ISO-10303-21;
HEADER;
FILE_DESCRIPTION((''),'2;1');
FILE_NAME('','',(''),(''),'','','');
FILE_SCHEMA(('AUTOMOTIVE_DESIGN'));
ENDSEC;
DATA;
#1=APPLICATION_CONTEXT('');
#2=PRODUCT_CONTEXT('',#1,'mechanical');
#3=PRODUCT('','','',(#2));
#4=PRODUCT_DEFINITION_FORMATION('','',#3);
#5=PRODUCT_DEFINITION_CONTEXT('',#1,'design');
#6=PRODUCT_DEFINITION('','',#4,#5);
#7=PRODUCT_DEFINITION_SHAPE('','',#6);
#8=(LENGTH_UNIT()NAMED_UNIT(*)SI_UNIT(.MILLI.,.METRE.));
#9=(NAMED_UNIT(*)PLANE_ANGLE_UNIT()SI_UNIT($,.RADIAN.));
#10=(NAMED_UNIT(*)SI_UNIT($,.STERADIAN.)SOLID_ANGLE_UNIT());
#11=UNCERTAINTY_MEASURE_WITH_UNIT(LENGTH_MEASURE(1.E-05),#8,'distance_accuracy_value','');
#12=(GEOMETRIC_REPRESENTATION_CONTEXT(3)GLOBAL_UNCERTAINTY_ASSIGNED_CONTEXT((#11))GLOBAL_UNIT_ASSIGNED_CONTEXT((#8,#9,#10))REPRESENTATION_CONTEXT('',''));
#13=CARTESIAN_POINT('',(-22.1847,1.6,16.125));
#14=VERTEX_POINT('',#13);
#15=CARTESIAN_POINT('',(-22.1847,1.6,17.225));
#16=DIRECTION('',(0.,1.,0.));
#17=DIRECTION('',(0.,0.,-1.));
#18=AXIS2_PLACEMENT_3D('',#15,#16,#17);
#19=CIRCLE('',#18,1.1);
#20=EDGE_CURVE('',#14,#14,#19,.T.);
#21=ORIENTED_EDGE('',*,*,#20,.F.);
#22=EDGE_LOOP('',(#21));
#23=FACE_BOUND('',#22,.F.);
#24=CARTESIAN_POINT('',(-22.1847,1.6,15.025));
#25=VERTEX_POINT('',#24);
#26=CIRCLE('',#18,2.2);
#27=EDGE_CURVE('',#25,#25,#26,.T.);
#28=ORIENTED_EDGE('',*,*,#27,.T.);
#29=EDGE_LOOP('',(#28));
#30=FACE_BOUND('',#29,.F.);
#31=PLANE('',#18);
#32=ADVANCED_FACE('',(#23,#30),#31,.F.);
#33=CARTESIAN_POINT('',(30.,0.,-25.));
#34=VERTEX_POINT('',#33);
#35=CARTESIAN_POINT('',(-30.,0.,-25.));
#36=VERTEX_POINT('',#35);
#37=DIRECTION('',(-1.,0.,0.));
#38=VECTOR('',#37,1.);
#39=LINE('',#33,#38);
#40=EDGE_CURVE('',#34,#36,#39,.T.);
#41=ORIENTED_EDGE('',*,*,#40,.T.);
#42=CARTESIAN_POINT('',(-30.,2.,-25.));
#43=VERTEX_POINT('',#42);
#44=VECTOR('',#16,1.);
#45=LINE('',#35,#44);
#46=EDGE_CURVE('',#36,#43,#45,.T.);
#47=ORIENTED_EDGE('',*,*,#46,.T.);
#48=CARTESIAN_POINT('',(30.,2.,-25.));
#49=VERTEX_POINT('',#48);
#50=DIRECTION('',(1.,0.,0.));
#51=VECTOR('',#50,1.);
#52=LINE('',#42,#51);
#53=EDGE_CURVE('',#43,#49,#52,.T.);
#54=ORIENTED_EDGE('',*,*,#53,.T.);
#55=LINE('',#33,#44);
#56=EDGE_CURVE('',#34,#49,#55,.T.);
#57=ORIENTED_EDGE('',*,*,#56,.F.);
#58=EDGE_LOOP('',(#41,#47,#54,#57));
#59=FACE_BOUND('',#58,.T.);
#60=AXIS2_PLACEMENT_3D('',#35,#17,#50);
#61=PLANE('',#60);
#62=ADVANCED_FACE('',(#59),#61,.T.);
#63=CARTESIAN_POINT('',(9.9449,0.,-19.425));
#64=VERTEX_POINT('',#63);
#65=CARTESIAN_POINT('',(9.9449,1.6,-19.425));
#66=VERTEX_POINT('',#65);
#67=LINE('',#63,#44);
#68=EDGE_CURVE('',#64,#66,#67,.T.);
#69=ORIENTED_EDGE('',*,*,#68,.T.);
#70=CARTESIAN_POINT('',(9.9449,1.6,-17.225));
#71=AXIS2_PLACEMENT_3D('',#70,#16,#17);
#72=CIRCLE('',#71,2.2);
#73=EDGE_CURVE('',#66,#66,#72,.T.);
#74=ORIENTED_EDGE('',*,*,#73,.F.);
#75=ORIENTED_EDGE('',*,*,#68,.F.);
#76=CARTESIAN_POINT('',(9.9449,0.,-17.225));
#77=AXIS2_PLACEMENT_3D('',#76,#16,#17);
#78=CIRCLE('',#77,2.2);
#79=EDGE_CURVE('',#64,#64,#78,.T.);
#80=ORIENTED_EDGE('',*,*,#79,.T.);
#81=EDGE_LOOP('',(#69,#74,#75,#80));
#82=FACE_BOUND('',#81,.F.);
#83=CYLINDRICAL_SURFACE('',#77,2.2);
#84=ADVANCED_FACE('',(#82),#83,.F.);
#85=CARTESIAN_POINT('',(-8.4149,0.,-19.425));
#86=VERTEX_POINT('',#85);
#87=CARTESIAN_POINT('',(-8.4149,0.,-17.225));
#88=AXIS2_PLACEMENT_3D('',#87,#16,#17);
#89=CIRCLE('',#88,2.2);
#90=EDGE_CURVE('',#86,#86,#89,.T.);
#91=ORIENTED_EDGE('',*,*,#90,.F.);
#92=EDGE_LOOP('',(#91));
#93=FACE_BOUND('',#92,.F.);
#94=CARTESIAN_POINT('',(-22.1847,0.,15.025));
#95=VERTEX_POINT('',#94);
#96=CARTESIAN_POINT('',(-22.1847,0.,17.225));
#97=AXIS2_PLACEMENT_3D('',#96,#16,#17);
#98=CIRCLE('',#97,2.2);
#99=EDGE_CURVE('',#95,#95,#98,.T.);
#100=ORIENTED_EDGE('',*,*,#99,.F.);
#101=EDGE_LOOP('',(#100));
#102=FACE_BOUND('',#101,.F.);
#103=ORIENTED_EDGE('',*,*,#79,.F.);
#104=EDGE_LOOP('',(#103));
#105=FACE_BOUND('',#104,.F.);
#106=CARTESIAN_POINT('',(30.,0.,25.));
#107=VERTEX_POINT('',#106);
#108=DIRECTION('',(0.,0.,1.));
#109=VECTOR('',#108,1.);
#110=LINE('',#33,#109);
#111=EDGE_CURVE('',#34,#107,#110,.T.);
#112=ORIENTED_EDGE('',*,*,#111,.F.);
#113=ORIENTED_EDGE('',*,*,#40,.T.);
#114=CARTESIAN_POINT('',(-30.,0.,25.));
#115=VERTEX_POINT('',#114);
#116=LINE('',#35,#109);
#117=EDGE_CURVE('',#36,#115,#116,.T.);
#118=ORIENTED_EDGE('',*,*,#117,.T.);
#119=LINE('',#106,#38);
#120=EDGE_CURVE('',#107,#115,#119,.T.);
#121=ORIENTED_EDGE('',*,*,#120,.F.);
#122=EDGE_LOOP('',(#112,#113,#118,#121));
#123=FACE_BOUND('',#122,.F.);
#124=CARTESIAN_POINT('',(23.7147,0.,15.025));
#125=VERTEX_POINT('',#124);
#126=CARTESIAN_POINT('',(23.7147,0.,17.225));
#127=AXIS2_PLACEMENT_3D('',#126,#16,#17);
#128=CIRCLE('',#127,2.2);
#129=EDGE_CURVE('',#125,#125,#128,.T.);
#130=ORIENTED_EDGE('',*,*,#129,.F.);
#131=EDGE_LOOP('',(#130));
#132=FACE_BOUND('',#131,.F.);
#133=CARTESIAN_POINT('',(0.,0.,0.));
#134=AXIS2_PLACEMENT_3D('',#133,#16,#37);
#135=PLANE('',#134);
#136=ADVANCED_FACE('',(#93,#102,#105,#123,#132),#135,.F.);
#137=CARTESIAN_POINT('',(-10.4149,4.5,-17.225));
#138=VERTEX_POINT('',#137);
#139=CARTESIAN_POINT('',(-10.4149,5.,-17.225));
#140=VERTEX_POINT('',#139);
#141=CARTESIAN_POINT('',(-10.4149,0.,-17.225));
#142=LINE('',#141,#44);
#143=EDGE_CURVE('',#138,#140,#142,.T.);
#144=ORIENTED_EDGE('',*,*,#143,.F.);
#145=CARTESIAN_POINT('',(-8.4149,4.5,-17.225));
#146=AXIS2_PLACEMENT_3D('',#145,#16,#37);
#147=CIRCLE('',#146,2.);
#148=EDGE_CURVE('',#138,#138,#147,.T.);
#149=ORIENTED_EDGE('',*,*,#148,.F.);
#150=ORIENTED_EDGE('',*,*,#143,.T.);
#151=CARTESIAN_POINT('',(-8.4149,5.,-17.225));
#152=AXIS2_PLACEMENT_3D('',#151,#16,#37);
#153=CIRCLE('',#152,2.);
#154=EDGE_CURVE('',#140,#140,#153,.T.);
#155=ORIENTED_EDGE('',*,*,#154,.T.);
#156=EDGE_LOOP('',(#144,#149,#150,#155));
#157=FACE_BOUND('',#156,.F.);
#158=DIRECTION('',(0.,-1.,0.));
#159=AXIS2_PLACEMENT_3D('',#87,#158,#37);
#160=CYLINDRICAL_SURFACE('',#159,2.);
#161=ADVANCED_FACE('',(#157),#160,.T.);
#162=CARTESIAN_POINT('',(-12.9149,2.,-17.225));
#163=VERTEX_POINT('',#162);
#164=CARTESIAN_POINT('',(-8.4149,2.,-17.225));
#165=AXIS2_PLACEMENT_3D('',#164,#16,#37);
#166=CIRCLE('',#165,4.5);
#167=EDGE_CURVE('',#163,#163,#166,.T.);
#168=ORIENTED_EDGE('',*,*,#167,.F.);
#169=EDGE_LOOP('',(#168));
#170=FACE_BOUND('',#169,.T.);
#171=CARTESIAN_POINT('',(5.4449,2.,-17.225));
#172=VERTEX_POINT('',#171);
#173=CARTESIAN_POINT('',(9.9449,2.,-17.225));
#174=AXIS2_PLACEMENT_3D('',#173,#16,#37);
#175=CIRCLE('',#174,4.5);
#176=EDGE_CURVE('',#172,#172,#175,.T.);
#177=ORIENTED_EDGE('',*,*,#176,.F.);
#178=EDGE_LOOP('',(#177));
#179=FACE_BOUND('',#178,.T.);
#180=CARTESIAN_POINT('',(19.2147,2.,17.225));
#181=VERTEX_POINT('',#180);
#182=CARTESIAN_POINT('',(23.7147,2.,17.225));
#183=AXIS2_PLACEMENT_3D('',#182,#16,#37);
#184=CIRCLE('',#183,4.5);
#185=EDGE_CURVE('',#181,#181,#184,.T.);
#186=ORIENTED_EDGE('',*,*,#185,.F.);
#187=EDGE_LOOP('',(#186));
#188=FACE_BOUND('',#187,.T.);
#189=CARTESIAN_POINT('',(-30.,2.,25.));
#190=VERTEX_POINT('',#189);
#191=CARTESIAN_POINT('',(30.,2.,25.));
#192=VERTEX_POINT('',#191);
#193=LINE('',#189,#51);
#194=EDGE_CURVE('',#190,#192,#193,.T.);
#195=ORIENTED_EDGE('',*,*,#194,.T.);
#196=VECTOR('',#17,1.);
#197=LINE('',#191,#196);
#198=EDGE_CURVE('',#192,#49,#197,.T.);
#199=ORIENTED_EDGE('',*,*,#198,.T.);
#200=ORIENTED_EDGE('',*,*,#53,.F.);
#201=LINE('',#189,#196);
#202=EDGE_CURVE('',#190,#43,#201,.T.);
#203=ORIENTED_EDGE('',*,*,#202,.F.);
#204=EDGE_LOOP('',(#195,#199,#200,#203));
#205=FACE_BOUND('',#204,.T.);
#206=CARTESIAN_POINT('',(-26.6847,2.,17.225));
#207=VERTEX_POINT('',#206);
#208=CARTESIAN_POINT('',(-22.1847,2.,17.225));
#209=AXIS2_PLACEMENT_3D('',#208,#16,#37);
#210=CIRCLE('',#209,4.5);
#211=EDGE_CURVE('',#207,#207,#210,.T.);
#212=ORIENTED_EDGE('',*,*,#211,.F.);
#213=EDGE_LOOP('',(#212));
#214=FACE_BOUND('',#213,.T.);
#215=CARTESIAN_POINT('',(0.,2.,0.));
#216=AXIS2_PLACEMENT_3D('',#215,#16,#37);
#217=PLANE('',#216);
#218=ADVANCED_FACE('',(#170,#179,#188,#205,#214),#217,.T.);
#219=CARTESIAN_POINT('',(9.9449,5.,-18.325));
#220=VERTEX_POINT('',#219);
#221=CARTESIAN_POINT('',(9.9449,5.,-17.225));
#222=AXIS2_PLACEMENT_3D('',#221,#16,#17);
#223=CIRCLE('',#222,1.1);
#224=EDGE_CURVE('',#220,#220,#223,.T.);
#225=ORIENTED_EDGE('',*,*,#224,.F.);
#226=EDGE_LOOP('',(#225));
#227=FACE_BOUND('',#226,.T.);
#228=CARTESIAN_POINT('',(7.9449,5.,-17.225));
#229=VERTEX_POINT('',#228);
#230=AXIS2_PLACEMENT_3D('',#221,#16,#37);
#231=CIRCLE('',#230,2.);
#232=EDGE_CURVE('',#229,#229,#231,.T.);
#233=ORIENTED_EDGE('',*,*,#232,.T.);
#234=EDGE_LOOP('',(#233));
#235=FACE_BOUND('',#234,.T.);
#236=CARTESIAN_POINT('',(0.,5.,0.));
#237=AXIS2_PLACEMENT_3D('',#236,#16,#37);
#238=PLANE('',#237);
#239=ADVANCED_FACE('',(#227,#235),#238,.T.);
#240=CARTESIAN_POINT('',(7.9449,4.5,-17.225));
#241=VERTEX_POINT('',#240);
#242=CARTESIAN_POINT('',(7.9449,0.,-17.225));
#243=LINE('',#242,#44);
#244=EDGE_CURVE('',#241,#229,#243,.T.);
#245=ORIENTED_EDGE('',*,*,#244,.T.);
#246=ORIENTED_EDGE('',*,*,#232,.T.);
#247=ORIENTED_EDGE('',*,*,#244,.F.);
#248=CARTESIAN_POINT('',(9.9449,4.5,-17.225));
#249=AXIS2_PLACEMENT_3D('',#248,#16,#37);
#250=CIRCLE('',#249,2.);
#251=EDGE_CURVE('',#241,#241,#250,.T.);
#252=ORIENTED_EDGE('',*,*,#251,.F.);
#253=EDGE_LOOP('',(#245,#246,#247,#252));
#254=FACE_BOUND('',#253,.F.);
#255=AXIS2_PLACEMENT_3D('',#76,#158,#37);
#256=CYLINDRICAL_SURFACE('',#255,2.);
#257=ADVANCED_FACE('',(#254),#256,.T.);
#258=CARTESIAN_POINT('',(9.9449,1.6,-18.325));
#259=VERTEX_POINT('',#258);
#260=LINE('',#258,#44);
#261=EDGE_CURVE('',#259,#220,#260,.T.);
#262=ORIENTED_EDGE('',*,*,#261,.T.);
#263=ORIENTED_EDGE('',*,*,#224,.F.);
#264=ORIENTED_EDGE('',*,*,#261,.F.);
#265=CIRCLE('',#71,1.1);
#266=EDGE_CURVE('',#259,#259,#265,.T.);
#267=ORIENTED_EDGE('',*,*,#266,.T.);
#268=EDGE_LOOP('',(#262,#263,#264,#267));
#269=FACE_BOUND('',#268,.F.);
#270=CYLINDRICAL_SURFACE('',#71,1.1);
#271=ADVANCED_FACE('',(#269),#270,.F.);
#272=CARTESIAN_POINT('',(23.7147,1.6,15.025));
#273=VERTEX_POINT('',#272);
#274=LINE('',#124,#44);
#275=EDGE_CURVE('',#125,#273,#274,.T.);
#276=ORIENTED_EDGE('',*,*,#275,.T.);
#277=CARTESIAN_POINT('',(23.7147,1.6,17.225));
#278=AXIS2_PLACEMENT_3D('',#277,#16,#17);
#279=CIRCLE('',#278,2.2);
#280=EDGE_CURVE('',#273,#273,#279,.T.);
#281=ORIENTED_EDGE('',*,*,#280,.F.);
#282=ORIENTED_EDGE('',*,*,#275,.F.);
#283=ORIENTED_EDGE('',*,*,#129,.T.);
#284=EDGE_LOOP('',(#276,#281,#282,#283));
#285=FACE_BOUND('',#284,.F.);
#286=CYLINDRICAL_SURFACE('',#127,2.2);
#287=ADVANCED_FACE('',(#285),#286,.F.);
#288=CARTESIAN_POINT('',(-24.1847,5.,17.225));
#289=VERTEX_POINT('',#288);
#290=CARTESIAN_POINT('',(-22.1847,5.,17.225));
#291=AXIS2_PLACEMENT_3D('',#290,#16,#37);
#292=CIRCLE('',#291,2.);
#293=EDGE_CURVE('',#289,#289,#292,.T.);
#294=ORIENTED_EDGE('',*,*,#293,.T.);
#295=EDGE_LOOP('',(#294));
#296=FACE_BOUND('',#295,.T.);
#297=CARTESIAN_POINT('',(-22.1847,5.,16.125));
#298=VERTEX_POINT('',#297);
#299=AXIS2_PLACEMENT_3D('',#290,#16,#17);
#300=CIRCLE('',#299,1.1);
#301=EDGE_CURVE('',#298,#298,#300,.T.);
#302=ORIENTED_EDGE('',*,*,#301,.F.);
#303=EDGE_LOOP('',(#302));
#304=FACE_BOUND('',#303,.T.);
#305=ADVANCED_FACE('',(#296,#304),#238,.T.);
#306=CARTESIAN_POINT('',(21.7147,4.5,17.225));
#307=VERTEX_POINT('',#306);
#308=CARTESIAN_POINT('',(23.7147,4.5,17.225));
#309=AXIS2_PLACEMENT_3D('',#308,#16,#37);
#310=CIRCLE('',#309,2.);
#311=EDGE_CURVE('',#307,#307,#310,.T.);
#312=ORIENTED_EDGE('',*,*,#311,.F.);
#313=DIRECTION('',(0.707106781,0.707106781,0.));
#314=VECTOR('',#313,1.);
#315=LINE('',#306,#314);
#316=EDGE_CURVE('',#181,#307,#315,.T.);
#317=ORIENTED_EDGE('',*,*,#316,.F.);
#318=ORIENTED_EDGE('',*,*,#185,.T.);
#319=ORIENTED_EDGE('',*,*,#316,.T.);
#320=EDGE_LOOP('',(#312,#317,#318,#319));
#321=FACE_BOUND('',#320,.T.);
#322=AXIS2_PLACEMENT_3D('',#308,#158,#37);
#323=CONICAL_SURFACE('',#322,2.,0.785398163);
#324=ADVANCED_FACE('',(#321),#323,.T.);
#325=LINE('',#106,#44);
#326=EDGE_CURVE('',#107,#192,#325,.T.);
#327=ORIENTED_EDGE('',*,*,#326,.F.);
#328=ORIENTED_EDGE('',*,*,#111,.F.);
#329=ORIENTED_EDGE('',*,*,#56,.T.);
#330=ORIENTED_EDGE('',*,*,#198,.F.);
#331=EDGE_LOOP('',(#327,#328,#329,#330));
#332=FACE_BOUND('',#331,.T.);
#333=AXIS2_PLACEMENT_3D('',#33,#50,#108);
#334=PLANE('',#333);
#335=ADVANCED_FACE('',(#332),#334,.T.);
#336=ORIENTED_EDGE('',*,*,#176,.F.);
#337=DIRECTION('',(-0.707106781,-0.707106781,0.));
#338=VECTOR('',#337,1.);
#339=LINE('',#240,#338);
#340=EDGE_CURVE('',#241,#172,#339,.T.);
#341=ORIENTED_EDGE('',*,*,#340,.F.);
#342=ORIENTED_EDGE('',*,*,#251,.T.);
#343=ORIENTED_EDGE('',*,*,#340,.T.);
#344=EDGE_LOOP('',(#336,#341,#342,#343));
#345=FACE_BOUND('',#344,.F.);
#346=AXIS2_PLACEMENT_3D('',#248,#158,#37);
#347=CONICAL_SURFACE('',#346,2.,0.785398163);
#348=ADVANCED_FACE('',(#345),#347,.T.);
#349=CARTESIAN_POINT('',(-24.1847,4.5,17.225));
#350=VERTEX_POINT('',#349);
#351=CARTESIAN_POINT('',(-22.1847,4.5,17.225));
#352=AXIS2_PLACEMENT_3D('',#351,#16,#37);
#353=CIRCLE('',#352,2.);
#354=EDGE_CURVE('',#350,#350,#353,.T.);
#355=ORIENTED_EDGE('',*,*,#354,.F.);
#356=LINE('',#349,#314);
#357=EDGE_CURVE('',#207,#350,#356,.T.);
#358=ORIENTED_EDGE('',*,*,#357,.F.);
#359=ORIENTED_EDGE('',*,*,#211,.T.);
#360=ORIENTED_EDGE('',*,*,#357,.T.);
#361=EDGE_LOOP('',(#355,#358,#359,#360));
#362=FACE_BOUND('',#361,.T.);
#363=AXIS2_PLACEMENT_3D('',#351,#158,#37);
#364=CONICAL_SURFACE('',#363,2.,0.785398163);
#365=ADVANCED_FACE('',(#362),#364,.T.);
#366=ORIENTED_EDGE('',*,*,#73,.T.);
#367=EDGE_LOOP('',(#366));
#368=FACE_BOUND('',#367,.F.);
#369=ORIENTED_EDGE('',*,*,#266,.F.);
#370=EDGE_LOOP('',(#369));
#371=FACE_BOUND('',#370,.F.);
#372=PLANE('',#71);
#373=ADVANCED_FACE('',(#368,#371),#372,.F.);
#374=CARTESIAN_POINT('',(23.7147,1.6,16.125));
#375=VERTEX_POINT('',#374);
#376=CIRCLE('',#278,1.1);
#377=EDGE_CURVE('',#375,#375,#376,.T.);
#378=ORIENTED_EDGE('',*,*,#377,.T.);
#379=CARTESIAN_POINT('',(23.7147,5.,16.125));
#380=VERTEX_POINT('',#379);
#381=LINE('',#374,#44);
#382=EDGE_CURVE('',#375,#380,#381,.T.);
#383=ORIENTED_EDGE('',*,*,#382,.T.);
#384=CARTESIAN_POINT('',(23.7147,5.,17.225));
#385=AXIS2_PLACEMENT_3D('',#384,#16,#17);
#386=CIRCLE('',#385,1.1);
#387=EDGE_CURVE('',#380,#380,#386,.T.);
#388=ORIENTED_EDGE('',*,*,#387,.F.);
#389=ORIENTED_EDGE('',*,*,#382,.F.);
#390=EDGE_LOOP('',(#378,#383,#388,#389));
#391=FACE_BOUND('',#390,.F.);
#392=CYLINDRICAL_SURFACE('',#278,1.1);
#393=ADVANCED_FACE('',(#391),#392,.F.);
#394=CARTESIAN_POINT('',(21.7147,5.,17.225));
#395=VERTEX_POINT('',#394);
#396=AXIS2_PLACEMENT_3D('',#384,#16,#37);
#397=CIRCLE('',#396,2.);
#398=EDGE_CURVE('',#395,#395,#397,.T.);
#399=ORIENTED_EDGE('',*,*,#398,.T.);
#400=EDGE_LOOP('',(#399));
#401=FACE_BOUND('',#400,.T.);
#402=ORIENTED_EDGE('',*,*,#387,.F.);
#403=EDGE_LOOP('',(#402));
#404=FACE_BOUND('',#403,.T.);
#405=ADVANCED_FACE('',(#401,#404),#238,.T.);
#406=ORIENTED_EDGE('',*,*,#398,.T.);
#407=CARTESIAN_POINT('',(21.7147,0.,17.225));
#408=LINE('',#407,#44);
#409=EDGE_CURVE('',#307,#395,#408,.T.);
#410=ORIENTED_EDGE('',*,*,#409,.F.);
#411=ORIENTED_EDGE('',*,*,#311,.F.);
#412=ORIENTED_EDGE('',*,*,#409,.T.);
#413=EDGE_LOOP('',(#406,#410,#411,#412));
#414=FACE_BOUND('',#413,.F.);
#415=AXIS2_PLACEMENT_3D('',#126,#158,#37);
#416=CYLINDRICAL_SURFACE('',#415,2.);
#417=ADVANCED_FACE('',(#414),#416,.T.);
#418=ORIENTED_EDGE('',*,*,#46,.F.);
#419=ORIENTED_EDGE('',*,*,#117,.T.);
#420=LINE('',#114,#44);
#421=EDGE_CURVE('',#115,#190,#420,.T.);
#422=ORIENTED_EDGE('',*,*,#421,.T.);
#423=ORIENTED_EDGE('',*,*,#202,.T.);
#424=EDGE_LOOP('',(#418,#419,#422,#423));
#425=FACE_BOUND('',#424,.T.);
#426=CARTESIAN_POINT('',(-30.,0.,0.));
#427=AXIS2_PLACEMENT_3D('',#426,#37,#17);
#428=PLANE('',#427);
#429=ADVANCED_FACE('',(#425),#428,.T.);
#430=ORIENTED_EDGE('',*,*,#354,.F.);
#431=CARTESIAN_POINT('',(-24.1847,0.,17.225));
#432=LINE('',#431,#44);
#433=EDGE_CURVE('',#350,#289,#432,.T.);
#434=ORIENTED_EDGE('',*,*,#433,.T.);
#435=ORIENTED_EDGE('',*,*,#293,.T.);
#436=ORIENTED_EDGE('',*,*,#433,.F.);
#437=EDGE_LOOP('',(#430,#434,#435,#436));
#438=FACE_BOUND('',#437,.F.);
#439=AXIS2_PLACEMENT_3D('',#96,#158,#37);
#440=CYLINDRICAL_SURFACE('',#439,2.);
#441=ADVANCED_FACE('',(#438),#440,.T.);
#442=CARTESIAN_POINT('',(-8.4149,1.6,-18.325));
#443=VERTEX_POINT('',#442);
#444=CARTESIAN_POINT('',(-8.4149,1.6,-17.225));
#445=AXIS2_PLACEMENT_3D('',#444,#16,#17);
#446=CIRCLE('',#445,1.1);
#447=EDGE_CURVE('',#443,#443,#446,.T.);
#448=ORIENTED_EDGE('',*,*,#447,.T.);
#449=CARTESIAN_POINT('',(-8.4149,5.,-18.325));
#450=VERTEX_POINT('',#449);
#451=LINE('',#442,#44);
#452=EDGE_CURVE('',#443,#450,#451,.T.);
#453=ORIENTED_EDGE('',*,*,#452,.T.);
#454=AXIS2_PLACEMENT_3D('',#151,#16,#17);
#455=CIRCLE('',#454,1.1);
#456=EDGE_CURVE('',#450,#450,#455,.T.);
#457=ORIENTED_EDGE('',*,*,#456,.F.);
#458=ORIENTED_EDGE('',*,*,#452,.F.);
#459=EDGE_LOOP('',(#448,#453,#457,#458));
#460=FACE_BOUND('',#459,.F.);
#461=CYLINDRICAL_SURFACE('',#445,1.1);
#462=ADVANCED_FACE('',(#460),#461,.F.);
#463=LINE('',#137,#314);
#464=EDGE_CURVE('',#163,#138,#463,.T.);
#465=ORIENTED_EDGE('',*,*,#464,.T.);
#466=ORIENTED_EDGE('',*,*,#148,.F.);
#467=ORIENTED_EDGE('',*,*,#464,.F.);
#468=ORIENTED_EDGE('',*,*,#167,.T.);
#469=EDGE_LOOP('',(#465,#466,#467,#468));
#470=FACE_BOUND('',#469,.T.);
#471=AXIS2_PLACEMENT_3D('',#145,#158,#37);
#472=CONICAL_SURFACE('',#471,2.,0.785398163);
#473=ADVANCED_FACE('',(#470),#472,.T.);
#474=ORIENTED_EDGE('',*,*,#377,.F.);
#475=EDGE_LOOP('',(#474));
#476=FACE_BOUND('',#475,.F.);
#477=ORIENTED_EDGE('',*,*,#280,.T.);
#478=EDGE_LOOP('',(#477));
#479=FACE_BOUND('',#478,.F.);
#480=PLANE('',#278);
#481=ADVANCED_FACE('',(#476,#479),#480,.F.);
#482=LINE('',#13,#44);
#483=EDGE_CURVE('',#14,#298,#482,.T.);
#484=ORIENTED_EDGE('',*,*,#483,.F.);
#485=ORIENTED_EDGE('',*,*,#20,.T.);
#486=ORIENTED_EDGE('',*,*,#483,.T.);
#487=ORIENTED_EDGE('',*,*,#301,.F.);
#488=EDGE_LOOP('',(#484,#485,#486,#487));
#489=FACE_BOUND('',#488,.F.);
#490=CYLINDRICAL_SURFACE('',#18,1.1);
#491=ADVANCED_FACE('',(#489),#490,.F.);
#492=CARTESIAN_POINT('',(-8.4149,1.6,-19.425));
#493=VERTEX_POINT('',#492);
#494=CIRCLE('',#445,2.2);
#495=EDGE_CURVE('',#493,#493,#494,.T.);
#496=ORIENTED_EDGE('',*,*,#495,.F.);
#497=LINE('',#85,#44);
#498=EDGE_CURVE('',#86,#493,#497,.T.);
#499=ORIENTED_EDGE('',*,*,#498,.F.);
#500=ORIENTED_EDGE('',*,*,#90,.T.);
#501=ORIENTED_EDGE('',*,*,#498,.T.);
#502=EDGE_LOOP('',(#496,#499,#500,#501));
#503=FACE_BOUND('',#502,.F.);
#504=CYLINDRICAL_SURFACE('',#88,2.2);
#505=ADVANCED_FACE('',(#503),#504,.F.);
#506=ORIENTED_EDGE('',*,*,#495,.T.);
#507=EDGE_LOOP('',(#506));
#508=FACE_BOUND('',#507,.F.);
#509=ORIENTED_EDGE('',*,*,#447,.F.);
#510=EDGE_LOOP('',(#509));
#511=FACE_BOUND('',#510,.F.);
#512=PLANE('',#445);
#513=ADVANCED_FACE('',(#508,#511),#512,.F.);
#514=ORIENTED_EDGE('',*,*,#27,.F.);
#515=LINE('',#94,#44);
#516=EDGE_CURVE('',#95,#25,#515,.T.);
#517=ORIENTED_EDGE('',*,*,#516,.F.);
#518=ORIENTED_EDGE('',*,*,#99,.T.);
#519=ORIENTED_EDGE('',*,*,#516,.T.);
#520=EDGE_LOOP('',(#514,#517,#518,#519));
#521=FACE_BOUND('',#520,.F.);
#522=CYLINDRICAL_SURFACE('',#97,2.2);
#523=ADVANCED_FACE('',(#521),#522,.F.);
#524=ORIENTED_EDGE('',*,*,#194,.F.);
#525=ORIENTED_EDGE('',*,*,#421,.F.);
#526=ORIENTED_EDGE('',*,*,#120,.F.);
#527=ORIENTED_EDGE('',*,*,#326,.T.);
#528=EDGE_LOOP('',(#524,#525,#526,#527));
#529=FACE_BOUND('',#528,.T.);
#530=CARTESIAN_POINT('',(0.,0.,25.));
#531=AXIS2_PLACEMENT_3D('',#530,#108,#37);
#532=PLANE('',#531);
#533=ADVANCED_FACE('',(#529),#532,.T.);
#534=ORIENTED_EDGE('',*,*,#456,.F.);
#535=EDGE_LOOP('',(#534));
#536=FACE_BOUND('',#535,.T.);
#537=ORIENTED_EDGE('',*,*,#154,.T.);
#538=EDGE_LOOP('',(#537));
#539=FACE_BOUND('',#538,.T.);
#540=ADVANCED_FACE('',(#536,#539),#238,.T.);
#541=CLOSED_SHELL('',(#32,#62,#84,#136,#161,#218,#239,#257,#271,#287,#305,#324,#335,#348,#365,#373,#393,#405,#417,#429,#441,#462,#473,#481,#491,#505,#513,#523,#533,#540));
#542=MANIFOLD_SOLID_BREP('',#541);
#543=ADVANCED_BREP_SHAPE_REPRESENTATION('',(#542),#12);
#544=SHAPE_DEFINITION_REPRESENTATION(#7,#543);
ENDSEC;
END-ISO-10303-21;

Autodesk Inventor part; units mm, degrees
ref_plane "YZ Plane" through (0, 0, 0) normal (1, 0, 0) x (0, 1, 0)
ref_plane "XZ Plane" through (0, 0, 0) normal (0, 1, 0) x (-1, 0, 0)
ref_plane "XY Plane" through (0, 0, 0) normal (0, 0, 1) x (1, 0, 0)
sketch "Sketch1" plane through (0, 0, 0) normal (0, 1, 0) x (-1, 0, 0)
  circle A0 centre (-9.9449, -17.225) radius 1 construction
  circle A1 centre (8.4149, -17.225) radius 1 construction
  circle A2 centre (22.1847, 17.225) radius 1 construction
  circle A3 centre (-23.7147, 17.225) radius 1 construction
  circle A4 centre (-9.9449, -17.225) radius 2
  circle A5 centre (8.4149, -17.225) radius 2
  circle A6 centre (22.1847, 17.225) radius 2
  circle A7 centre (-23.7147, 17.225) radius 2
  line L0 (30, -25) -> (-30, -25)
  line L1 (-30, -25) -> (-30, 25)
  line L2 (-30, 25) -> (30, 25)
  line L3 (30, 25) -> (30, -25)
  line L4 (0, -35) -> (0, 35)
  line L5 (42, 0) -> (-42, 0)
  point P0 (0, 0)
  point P1 (25.2446, -19.875)
  dimension "d0" = 25.2446
  dimension "d1" = 19.875
  dimension "d2" = 16.8298
  dimension "d3" = 18.3597
  dimension "d4" = 2.65
  dimension "d5" = 37.1
  dimension "d6" = 3.06
  dimension "d7" = 45.8993
  dimension "d9" = 2
  dimension "d10" = 1
  dimension "d11" = 60
  dimension "d12" = 50
extrude "Extrusion1" add sketch "Sketch1" along normal blind 5 contours A4 | A5 | A6 | A7
extrude "Extrusion2" add sketch "Sketch1" along normal blind 2
chamfer "Chamfer1" distance 2.5 angle 45 4 edges at (-6.4149, 2, -17.225) (11.9449, 2, -17.225) (25.7147, 2, 17.225) (-20.1847, 2, 17.225)
hole "Hole1" at (-8.4149, 0, -17.225) at (9.9449, 0, -17.225) at (-22.1847, 0, 17.225) at (23.7147, 0, 17.225) direction (0, 1, 0) diameter 2.2 end through all counterbore diameter 4.4 counterbore depth 1.6
equation "\"pitch\" = 5.3"
equation "\"pitch_x\" = 0.866025 * pitch"
equation "\"cell_w\" = 1.1547 * pitch"
properties part number "Panel mount plate"
